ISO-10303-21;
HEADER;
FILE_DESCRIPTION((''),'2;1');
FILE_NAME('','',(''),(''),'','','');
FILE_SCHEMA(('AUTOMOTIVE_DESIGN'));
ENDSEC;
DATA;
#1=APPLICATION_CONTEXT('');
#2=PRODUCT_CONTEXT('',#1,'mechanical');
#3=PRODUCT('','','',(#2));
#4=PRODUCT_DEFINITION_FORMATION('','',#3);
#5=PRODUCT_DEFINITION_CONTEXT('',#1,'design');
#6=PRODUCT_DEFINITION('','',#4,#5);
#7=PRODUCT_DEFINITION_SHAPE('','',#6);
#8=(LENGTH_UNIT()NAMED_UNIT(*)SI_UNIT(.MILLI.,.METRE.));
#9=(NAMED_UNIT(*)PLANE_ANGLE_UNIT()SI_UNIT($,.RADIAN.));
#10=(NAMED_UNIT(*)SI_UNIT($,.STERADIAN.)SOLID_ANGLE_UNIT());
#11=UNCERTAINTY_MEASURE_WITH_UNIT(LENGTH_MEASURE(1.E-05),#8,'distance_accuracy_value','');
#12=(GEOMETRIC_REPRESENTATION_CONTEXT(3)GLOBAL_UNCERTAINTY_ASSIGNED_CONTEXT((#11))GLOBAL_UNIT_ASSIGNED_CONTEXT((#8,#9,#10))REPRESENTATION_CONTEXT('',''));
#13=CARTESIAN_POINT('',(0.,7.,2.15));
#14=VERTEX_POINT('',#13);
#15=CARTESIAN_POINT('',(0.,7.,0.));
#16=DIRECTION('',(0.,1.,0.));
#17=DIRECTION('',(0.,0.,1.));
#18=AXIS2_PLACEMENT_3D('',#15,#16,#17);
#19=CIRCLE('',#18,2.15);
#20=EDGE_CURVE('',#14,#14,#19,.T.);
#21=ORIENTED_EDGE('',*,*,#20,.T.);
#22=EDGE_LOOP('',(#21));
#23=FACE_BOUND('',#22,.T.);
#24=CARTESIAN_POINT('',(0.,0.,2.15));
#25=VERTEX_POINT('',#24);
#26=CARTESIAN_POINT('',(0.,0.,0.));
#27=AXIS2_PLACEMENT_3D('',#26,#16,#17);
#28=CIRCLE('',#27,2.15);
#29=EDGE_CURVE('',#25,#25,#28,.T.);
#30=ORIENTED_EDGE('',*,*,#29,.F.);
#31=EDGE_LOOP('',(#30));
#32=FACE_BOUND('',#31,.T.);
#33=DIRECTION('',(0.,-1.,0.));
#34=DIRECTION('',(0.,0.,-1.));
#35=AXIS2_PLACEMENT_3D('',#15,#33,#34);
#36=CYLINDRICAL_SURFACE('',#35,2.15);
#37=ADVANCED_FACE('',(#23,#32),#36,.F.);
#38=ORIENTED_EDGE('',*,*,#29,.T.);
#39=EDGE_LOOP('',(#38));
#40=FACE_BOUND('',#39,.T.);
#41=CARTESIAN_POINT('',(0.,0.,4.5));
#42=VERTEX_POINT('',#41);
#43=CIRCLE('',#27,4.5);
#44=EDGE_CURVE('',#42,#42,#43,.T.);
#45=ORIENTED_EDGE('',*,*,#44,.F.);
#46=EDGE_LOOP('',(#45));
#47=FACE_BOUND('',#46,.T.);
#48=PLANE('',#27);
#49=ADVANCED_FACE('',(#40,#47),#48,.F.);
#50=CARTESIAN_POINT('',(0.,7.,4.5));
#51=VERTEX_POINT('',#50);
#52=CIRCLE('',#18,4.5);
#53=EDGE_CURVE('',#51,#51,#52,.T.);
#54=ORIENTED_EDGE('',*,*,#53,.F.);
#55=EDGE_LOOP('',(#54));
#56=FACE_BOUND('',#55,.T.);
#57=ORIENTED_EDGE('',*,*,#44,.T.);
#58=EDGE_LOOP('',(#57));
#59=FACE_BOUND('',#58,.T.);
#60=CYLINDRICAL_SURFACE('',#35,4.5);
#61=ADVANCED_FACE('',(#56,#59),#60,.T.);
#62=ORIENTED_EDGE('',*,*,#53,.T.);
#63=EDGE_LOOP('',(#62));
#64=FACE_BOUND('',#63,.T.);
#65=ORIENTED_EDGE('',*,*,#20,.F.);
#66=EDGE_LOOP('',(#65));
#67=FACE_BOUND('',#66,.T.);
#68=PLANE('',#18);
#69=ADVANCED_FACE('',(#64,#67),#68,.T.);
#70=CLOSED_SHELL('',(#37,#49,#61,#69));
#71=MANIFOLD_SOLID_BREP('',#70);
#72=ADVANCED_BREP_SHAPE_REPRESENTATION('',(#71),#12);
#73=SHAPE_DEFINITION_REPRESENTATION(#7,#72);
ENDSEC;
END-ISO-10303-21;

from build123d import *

# Parameters (mm, degrees)
SKETCH_1_R      = 4.5
SKETCH_1_R_2    = 2.15
EXTRUDE_1_DEPTH = 7


with BuildPart() as part:
    # Эскиз1 → Бобышка-Вытянуть1 (new body)
    with BuildSketch(Plane(origin=(0, 0, 0), x_dir=(1, 0, 0), z_dir=(0, 1, 0))):
        with Locations(Location((0, 0, 0), (0, 0, 270))):
            Circle(SKETCH_1_R)
        with Locations(Location((0, 0, 0), (0, 0, 270))):
            Circle(SKETCH_1_R_2, mode=Mode.SUBTRACT)
    extrude(amount=EXTRUDE_1_DEPTH)


solid = part.part
